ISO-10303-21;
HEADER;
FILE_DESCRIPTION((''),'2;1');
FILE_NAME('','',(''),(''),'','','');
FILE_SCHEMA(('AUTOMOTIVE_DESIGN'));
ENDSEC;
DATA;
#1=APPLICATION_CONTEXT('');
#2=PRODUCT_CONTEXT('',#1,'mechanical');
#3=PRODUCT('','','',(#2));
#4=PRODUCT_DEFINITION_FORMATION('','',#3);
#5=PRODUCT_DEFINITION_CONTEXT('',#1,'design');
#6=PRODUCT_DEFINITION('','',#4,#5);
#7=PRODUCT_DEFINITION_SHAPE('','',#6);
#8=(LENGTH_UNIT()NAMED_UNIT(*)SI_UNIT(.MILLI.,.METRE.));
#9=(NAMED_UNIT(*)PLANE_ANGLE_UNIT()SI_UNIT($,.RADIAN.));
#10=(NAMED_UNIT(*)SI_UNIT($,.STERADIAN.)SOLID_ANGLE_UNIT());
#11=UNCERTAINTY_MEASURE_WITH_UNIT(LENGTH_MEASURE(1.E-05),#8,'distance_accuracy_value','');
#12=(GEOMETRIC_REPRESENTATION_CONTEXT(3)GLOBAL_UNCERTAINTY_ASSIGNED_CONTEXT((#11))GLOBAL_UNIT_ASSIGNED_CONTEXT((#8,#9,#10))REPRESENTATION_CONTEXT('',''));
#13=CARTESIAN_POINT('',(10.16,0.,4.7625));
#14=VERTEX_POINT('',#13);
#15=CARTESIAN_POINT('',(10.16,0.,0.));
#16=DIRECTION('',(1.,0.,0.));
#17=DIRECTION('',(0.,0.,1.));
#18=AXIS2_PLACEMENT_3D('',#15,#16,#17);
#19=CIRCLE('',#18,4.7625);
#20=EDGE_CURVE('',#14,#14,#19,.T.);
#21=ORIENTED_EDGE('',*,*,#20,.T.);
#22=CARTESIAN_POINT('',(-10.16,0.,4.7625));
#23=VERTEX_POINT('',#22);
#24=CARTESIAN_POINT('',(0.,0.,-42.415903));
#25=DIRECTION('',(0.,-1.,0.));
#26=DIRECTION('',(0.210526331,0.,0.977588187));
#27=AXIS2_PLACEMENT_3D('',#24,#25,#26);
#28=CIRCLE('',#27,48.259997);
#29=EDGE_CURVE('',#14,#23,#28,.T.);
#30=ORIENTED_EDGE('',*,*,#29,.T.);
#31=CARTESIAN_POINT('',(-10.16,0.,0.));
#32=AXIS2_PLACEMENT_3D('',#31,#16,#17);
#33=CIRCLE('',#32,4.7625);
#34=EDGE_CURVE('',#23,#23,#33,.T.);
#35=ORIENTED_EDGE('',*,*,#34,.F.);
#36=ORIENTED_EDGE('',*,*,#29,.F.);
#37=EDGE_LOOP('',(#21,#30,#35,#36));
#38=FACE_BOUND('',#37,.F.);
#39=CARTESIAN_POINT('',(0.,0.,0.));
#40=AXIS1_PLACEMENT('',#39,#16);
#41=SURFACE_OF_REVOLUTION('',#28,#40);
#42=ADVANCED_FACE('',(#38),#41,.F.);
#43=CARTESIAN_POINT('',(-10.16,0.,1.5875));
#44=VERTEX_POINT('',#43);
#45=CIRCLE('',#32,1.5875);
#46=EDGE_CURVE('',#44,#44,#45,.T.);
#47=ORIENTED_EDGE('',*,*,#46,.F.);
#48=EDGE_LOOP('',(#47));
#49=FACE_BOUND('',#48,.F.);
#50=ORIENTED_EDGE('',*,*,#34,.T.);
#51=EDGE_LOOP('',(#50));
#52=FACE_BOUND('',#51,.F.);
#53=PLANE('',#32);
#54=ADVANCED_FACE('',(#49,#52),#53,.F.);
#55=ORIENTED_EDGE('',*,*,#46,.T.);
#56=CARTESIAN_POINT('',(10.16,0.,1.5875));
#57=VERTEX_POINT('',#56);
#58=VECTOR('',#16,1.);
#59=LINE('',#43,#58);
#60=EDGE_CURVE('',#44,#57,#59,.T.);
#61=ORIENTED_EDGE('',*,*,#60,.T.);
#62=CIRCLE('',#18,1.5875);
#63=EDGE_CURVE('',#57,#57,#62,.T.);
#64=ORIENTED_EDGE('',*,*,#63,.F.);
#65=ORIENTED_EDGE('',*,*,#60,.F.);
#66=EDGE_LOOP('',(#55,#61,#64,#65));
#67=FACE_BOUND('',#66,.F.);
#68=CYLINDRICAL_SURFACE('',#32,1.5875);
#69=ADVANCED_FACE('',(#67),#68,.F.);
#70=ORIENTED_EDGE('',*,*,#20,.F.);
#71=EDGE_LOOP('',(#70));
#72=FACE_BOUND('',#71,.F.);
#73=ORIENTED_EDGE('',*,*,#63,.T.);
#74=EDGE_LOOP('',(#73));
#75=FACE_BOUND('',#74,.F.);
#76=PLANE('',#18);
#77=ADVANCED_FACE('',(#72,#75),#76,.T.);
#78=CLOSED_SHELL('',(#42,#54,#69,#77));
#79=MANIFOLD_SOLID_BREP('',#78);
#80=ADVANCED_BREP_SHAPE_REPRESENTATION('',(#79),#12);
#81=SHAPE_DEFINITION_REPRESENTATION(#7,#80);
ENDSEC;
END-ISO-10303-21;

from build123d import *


with BuildPart() as f1:
    # F0 (on Front) → F1 (revolve)
    with BuildSketch(Plane.XZ):
        with BuildLine():
            ThreePointArc((10.16, 4.7625), (0, 5.844094), (-10.16, 4.7625))
            Line((-10.16, 4.7625), (-10.16, 1.5875))
            Line((-10.16, 1.5875), (10.16, 1.5875))
            Line((10.16, 1.5875), (10.16, 4.7625))
        make_face()
    revolve(axis=Axis((0, 0, 0), (1, 0, 0)))


solid = f1.part
